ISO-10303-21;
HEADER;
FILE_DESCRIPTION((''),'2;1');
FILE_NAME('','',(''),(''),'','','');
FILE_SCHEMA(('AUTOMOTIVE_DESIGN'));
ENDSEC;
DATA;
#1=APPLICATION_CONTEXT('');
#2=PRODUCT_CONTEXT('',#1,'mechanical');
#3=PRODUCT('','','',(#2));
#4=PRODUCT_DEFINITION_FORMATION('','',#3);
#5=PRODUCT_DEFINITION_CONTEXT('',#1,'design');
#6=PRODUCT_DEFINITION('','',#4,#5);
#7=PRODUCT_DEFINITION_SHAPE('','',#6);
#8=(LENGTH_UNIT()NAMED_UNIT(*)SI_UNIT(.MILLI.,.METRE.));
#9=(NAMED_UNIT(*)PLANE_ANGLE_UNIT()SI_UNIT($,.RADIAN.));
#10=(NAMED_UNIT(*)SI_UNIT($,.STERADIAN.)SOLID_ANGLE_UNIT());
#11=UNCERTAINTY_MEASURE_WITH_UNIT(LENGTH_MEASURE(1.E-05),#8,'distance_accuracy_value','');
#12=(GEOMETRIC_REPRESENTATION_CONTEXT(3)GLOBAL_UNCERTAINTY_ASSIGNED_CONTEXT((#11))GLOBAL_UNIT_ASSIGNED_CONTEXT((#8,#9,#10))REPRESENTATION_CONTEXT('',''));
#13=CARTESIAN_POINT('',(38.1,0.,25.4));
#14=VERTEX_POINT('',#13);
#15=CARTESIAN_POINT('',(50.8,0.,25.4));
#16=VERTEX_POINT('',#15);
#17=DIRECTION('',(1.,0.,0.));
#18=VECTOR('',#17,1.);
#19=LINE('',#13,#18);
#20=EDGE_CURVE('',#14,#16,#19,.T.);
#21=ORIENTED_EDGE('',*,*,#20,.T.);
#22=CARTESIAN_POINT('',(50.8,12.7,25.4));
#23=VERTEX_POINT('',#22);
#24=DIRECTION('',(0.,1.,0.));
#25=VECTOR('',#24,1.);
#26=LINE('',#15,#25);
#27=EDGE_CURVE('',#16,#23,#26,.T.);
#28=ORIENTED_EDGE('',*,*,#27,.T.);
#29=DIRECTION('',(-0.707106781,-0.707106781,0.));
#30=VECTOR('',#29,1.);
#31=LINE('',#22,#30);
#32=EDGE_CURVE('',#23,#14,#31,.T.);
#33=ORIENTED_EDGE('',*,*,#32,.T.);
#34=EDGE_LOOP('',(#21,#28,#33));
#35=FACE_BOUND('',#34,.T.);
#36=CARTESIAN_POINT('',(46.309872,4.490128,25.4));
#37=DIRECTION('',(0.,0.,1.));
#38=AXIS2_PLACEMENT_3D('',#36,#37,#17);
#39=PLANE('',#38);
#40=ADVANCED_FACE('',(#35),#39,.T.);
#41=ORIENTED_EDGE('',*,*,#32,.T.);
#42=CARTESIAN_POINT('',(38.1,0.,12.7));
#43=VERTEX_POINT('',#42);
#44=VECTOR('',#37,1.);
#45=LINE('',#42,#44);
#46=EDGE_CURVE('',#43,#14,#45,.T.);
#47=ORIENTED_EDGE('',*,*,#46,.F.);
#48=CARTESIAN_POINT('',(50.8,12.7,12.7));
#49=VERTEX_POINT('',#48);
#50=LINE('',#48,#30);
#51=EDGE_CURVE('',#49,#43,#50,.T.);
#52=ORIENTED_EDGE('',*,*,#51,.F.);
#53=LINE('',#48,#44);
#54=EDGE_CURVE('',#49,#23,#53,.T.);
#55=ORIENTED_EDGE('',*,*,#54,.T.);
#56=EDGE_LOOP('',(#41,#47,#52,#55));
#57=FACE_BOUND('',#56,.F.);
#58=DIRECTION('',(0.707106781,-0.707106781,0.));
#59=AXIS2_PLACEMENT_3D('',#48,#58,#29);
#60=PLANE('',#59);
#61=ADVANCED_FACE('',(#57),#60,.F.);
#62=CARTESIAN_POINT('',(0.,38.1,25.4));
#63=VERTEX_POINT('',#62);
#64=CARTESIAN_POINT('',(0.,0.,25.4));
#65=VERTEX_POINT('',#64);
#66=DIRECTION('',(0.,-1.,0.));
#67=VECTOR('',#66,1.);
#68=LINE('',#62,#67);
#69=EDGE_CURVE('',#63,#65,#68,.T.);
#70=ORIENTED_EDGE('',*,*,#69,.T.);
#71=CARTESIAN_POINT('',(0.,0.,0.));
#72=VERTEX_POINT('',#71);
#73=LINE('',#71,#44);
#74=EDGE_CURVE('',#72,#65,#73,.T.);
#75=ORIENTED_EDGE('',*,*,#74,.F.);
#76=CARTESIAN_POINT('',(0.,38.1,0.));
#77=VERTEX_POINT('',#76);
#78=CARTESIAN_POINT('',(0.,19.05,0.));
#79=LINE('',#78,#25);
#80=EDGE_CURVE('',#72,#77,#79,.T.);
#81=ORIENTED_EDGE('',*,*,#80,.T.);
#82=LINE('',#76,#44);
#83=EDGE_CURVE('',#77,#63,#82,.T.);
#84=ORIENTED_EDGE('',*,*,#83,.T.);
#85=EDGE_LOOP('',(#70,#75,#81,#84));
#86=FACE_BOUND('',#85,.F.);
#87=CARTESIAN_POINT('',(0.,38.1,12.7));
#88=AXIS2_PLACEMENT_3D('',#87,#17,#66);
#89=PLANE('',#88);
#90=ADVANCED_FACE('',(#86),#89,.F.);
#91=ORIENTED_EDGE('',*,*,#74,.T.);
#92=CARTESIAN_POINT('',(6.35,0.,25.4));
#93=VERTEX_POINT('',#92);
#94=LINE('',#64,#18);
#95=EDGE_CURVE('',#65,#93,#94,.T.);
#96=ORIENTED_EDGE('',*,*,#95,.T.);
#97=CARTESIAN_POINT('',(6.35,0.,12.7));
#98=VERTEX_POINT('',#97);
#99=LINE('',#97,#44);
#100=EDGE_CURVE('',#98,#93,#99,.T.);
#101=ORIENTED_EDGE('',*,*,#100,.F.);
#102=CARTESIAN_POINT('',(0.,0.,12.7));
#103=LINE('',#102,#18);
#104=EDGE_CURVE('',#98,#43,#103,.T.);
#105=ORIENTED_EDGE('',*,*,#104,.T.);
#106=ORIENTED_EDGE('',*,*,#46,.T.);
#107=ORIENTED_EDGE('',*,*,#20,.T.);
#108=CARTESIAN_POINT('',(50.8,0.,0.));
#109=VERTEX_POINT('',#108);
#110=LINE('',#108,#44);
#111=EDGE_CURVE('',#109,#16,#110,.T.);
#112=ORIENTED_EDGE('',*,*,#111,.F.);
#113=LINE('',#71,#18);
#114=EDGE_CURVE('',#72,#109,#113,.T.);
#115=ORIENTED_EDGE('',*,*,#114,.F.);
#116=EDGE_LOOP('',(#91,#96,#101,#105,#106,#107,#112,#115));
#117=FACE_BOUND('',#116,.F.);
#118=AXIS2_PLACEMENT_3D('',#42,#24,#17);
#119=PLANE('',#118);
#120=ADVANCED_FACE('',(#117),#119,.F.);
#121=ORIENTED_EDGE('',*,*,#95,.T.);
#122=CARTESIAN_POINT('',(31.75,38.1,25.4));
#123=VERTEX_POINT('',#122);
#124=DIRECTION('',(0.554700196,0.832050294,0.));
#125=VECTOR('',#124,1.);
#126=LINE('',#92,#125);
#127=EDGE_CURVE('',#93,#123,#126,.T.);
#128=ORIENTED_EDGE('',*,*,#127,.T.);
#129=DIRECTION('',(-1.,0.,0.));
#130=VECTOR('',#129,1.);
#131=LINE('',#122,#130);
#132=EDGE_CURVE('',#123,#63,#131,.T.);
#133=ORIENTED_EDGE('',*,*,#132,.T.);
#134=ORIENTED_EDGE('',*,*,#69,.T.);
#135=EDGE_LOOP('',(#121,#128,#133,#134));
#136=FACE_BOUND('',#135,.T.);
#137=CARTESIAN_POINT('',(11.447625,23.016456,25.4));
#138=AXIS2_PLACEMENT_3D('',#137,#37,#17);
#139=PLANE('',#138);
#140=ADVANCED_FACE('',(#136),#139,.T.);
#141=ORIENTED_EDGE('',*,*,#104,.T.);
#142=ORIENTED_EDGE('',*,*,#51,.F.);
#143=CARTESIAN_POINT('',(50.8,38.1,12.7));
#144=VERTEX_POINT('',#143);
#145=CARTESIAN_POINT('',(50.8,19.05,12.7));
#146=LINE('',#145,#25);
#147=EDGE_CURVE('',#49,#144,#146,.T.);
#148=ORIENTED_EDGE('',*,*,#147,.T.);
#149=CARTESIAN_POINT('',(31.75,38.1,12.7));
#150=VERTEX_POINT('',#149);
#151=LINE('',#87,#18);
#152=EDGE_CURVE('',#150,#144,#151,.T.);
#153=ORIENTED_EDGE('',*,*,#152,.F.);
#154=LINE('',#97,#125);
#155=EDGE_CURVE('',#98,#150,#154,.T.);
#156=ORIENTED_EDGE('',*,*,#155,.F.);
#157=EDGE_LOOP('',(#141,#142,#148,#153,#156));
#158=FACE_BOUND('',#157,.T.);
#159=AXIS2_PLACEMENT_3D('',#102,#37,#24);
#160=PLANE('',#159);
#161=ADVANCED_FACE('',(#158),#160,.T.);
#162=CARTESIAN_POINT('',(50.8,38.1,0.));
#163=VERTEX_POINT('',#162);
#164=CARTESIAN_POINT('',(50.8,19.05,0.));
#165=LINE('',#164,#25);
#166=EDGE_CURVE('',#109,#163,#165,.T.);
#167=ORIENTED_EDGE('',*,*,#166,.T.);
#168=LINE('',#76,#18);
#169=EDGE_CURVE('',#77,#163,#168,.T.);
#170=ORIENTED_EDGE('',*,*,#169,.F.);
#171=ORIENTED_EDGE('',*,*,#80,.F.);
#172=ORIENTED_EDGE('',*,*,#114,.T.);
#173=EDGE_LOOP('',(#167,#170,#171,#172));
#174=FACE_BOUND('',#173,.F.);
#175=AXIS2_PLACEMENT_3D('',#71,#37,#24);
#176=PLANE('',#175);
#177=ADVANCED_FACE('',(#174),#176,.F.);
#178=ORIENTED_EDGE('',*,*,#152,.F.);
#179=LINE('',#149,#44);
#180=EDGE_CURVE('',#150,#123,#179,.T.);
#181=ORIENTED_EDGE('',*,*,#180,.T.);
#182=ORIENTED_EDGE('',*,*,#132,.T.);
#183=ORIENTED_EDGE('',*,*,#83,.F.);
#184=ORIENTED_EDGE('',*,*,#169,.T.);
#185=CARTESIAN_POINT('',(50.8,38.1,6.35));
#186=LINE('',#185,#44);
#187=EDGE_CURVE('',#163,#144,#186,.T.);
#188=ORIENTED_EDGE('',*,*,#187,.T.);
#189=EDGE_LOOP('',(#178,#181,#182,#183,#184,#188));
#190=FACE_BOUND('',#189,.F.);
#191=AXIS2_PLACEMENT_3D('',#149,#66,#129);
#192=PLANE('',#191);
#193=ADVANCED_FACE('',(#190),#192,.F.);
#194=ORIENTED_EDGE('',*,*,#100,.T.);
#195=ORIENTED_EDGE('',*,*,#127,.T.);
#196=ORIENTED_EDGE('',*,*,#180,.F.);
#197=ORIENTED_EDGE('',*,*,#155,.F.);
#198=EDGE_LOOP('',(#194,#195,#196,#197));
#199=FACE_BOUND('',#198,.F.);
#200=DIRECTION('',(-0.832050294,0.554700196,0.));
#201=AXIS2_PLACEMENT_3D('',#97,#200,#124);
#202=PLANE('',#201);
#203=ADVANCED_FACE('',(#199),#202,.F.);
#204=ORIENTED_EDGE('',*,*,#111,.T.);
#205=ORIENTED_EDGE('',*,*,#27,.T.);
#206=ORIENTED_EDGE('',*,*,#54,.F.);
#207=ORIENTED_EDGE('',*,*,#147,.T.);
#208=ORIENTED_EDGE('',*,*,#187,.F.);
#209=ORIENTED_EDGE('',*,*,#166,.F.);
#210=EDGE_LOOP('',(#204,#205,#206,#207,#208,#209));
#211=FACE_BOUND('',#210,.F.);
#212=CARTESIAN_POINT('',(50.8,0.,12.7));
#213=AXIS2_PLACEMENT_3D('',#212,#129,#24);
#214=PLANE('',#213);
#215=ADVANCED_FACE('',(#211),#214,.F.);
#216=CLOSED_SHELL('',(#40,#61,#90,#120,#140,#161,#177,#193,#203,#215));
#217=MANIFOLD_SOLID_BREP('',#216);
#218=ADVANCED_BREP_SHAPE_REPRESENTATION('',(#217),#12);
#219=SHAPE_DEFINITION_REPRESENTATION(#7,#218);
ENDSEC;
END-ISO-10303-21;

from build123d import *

# Parameters (mm, degrees)
F0_W     = 38.1
F0_H     = 12.7
F1_DEPTH = 50.8
F3_DEPTH = 12.7
F5_DEPTH = 12.7


with BuildPart() as f1:
    # F0 (on Right) → F1 (new body)
    with BuildSketch(Plane.YZ):
        with Locations((19.05, 6.35)):
            Rectangle(F0_W, F0_H)
    extrude(amount=F1_DEPTH)

    # F2 (on face) → F3 (join)
    with BuildSketch(Plane.XY.offset(12.7)):
        Polygon((31.75, 38.1), (0, 38.1), (0, 0), (6.35, 0), align=None)
    extrude(amount=F3_DEPTH)

    # F4 (on face) → F5 (join)
    with BuildSketch(Plane.XY.offset(12.7)):
        Polygon((38.1, 0), (50.8, 0), (50.8, 12.7), align=None)
    extrude(amount=F5_DEPTH)


solid = f1.part
